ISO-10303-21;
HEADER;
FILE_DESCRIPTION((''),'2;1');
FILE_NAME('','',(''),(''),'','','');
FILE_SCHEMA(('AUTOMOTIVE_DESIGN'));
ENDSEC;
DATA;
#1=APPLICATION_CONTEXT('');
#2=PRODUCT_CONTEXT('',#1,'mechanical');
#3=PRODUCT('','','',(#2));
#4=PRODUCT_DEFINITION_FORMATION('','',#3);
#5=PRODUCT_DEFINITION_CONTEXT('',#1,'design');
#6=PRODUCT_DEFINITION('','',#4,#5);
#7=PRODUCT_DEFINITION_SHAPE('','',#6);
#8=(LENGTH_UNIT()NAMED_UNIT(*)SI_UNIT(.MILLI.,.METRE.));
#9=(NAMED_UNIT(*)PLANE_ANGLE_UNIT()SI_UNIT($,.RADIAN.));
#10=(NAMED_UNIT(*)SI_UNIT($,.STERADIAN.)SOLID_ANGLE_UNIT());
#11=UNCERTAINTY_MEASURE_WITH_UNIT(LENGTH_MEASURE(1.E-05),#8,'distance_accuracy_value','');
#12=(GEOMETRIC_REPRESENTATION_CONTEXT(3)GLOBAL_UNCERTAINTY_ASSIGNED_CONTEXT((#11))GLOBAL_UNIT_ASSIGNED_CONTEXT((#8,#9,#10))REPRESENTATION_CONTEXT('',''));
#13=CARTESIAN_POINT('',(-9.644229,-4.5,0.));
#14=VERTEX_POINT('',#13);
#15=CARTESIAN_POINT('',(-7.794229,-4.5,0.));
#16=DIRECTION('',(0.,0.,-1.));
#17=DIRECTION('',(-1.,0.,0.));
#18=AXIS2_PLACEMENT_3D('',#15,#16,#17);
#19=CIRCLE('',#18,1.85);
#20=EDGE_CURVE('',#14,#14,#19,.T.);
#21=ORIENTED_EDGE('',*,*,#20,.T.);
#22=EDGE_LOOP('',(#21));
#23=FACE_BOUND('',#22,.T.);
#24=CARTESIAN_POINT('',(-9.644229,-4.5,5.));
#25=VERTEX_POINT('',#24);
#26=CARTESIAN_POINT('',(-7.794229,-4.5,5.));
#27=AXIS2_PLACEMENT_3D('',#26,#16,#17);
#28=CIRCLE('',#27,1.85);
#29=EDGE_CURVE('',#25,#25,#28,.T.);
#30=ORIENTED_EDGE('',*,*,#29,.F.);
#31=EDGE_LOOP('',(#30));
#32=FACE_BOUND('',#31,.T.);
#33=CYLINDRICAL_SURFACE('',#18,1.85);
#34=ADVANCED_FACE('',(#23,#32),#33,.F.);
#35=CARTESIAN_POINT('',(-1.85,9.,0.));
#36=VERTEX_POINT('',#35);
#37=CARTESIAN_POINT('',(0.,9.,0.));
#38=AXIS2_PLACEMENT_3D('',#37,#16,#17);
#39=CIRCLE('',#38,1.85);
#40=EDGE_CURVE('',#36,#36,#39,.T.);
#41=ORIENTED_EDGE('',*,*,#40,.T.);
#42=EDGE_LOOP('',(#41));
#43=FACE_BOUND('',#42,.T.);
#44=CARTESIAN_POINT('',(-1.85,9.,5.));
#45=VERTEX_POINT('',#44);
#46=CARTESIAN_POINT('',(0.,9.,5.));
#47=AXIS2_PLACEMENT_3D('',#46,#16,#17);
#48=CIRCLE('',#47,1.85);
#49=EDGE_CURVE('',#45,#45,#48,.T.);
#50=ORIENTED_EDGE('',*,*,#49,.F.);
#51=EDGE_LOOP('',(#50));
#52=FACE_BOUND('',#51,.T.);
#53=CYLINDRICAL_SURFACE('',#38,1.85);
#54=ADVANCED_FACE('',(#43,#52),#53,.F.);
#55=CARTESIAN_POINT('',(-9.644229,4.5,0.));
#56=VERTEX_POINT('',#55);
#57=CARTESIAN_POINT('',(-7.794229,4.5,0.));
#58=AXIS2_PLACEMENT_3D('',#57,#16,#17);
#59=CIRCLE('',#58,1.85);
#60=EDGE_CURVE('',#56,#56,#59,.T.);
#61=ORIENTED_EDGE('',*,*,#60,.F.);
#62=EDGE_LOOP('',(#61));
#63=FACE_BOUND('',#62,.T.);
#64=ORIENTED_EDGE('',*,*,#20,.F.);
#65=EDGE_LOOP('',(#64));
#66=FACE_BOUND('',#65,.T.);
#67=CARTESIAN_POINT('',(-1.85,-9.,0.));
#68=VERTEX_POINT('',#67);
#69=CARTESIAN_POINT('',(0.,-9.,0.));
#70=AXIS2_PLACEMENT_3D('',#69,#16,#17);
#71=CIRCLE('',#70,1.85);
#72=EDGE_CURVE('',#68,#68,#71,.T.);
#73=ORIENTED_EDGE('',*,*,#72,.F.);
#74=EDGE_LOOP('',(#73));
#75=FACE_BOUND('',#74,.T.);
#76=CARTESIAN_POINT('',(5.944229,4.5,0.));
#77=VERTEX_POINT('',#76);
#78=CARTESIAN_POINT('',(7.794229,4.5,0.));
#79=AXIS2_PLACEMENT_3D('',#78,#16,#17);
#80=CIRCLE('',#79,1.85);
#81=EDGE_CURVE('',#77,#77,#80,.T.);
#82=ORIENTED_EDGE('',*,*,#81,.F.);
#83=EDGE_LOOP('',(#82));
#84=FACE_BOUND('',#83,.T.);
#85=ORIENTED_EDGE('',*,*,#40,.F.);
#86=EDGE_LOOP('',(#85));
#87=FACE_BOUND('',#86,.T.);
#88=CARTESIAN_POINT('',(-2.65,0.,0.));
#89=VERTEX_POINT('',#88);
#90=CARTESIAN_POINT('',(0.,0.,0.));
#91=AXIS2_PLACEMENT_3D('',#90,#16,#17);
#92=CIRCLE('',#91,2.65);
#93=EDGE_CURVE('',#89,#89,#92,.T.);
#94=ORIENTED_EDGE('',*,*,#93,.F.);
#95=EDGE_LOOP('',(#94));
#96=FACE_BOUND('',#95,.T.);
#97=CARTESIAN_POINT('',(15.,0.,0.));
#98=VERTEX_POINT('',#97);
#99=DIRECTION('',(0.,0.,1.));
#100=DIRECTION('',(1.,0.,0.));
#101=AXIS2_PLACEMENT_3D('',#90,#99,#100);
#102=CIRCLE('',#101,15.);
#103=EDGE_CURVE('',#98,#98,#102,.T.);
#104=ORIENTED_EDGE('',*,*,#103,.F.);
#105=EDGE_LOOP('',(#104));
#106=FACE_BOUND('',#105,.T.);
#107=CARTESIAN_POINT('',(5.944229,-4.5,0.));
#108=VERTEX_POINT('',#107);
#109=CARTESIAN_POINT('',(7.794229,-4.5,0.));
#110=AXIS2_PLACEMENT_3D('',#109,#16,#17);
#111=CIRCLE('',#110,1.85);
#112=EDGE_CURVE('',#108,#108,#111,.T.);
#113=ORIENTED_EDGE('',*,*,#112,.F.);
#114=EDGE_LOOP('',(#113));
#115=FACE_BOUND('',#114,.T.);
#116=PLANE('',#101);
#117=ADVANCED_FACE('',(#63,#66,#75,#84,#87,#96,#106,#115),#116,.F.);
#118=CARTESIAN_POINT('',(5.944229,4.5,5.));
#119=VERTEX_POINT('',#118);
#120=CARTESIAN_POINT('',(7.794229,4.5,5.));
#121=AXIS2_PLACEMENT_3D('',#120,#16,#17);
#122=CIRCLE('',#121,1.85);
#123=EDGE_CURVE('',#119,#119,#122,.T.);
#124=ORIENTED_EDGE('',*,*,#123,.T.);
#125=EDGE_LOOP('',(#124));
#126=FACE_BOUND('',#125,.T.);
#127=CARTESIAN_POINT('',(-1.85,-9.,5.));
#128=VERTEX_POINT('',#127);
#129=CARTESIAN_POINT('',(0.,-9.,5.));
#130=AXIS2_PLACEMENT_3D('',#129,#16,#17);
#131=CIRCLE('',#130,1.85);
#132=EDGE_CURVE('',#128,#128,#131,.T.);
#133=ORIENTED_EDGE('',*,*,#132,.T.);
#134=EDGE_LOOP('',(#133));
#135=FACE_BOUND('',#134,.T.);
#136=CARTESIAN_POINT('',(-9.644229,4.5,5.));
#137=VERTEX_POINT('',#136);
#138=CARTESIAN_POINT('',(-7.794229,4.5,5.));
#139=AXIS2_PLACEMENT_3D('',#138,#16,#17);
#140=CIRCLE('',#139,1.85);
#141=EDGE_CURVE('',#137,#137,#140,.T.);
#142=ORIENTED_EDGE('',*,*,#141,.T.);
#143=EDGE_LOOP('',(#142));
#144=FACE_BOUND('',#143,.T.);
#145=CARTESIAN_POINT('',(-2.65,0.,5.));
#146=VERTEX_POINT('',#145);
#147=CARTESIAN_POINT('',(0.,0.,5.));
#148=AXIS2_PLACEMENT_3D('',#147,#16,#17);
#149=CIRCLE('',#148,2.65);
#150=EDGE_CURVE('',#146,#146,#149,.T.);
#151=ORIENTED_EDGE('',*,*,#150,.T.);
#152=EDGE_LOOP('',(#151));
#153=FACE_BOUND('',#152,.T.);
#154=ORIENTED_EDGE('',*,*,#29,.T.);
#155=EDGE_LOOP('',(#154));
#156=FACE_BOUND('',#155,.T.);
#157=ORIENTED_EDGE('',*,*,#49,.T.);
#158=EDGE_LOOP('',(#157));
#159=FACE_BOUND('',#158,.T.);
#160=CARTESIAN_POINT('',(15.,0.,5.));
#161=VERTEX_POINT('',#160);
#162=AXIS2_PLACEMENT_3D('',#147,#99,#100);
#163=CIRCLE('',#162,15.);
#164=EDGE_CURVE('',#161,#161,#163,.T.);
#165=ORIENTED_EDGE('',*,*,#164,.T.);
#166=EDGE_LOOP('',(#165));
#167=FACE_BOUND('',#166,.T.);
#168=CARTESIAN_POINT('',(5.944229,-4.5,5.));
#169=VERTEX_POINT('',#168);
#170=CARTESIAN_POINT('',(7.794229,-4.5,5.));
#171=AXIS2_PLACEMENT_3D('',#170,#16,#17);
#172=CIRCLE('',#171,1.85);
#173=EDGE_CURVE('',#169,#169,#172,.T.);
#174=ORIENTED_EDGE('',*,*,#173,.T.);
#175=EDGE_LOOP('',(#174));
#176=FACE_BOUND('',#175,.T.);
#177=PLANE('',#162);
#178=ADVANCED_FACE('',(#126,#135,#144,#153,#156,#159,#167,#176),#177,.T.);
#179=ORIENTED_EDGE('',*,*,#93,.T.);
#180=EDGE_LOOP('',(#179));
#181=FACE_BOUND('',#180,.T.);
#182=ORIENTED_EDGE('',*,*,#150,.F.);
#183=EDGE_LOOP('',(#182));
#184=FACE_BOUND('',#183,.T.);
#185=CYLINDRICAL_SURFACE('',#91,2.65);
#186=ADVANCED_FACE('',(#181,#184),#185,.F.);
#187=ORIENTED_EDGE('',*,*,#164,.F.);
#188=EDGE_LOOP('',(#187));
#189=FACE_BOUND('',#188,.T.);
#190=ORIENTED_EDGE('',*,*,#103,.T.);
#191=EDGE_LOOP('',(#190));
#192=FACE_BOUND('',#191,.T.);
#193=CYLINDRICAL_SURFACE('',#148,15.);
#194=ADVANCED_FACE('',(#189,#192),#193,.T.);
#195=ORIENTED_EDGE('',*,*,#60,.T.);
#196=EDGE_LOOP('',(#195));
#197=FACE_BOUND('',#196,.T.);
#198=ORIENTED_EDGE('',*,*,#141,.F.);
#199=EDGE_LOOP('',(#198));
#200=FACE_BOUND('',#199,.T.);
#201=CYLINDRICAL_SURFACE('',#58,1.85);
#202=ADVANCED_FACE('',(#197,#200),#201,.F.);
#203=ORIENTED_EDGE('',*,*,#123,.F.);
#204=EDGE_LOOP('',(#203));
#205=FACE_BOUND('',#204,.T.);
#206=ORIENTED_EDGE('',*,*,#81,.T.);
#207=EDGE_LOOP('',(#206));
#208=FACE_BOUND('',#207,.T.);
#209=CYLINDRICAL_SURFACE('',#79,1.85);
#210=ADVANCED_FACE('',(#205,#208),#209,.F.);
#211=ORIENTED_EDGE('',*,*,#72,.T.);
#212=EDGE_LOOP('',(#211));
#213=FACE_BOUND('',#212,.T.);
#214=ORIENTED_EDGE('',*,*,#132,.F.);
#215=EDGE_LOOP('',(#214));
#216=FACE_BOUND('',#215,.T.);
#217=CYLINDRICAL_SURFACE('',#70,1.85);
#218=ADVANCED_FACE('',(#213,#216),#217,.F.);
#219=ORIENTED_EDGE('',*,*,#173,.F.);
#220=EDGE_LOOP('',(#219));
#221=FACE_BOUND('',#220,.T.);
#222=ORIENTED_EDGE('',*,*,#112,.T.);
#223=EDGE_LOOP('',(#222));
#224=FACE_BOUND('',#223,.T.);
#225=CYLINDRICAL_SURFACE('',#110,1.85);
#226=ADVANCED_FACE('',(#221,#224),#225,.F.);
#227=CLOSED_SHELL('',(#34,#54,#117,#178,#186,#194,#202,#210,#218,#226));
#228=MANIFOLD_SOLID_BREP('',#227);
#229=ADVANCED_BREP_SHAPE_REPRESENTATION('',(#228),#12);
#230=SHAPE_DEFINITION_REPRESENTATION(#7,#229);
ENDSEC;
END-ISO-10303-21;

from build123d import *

# Parameters (mm, degrees)
SKETCH_1_R               = 15
EXTRUDE_1_DEPTH          = 5
HOLE_WIZARD_M5_1_D       = 5.3
HOLE_WIZARD_M3_5_1_D     = 3.7
PATTERN_CIRCULAR_1_COUNT = 6


with BuildPart() as part:
    # ｽｹｯﾁ1 → ﾎﾞｽ - 押し出し1 (new body)
    with BuildSketch(Plane.XY):
        Circle(SKETCH_1_R)
    extrude(amount=EXTRUDE_1_DEPTH)

    # M5 すきま穴1 (through all)
    with Locations(Plane(origin=(0, 0, 0), x_dir=(-1, 0, 0), z_dir=(0, 0, -1))):
        with Locations((0, 0)):
            Hole(HOLE_WIZARD_M5_1_D / 2)

    # M3.5 すきま穴1 (through all)
    with Locations(Plane(origin=(0, 9, 0), x_dir=(-1, 0, 0), z_dir=(0, 0, -1))):
        with Locations((0, 0)):
            hole_wizard_m3_5_1 = Hole(HOLE_WIZARD_M3_5_1_D / 2)

    # 円形ﾊﾟﾀｰﾝ1: M3.5 すきま穴1 ×6 about axis
    pattern_circular_1_axis = Axis((0, 0, 0), (0, 0, 1))
    for i in range(1, PATTERN_CIRCULAR_1_COUNT):
        add(hole_wizard_m3_5_1.rotate(pattern_circular_1_axis, i * 360 / PATTERN_CIRCULAR_1_COUNT), mode=Mode.SUBTRACT)


solid = part.part
